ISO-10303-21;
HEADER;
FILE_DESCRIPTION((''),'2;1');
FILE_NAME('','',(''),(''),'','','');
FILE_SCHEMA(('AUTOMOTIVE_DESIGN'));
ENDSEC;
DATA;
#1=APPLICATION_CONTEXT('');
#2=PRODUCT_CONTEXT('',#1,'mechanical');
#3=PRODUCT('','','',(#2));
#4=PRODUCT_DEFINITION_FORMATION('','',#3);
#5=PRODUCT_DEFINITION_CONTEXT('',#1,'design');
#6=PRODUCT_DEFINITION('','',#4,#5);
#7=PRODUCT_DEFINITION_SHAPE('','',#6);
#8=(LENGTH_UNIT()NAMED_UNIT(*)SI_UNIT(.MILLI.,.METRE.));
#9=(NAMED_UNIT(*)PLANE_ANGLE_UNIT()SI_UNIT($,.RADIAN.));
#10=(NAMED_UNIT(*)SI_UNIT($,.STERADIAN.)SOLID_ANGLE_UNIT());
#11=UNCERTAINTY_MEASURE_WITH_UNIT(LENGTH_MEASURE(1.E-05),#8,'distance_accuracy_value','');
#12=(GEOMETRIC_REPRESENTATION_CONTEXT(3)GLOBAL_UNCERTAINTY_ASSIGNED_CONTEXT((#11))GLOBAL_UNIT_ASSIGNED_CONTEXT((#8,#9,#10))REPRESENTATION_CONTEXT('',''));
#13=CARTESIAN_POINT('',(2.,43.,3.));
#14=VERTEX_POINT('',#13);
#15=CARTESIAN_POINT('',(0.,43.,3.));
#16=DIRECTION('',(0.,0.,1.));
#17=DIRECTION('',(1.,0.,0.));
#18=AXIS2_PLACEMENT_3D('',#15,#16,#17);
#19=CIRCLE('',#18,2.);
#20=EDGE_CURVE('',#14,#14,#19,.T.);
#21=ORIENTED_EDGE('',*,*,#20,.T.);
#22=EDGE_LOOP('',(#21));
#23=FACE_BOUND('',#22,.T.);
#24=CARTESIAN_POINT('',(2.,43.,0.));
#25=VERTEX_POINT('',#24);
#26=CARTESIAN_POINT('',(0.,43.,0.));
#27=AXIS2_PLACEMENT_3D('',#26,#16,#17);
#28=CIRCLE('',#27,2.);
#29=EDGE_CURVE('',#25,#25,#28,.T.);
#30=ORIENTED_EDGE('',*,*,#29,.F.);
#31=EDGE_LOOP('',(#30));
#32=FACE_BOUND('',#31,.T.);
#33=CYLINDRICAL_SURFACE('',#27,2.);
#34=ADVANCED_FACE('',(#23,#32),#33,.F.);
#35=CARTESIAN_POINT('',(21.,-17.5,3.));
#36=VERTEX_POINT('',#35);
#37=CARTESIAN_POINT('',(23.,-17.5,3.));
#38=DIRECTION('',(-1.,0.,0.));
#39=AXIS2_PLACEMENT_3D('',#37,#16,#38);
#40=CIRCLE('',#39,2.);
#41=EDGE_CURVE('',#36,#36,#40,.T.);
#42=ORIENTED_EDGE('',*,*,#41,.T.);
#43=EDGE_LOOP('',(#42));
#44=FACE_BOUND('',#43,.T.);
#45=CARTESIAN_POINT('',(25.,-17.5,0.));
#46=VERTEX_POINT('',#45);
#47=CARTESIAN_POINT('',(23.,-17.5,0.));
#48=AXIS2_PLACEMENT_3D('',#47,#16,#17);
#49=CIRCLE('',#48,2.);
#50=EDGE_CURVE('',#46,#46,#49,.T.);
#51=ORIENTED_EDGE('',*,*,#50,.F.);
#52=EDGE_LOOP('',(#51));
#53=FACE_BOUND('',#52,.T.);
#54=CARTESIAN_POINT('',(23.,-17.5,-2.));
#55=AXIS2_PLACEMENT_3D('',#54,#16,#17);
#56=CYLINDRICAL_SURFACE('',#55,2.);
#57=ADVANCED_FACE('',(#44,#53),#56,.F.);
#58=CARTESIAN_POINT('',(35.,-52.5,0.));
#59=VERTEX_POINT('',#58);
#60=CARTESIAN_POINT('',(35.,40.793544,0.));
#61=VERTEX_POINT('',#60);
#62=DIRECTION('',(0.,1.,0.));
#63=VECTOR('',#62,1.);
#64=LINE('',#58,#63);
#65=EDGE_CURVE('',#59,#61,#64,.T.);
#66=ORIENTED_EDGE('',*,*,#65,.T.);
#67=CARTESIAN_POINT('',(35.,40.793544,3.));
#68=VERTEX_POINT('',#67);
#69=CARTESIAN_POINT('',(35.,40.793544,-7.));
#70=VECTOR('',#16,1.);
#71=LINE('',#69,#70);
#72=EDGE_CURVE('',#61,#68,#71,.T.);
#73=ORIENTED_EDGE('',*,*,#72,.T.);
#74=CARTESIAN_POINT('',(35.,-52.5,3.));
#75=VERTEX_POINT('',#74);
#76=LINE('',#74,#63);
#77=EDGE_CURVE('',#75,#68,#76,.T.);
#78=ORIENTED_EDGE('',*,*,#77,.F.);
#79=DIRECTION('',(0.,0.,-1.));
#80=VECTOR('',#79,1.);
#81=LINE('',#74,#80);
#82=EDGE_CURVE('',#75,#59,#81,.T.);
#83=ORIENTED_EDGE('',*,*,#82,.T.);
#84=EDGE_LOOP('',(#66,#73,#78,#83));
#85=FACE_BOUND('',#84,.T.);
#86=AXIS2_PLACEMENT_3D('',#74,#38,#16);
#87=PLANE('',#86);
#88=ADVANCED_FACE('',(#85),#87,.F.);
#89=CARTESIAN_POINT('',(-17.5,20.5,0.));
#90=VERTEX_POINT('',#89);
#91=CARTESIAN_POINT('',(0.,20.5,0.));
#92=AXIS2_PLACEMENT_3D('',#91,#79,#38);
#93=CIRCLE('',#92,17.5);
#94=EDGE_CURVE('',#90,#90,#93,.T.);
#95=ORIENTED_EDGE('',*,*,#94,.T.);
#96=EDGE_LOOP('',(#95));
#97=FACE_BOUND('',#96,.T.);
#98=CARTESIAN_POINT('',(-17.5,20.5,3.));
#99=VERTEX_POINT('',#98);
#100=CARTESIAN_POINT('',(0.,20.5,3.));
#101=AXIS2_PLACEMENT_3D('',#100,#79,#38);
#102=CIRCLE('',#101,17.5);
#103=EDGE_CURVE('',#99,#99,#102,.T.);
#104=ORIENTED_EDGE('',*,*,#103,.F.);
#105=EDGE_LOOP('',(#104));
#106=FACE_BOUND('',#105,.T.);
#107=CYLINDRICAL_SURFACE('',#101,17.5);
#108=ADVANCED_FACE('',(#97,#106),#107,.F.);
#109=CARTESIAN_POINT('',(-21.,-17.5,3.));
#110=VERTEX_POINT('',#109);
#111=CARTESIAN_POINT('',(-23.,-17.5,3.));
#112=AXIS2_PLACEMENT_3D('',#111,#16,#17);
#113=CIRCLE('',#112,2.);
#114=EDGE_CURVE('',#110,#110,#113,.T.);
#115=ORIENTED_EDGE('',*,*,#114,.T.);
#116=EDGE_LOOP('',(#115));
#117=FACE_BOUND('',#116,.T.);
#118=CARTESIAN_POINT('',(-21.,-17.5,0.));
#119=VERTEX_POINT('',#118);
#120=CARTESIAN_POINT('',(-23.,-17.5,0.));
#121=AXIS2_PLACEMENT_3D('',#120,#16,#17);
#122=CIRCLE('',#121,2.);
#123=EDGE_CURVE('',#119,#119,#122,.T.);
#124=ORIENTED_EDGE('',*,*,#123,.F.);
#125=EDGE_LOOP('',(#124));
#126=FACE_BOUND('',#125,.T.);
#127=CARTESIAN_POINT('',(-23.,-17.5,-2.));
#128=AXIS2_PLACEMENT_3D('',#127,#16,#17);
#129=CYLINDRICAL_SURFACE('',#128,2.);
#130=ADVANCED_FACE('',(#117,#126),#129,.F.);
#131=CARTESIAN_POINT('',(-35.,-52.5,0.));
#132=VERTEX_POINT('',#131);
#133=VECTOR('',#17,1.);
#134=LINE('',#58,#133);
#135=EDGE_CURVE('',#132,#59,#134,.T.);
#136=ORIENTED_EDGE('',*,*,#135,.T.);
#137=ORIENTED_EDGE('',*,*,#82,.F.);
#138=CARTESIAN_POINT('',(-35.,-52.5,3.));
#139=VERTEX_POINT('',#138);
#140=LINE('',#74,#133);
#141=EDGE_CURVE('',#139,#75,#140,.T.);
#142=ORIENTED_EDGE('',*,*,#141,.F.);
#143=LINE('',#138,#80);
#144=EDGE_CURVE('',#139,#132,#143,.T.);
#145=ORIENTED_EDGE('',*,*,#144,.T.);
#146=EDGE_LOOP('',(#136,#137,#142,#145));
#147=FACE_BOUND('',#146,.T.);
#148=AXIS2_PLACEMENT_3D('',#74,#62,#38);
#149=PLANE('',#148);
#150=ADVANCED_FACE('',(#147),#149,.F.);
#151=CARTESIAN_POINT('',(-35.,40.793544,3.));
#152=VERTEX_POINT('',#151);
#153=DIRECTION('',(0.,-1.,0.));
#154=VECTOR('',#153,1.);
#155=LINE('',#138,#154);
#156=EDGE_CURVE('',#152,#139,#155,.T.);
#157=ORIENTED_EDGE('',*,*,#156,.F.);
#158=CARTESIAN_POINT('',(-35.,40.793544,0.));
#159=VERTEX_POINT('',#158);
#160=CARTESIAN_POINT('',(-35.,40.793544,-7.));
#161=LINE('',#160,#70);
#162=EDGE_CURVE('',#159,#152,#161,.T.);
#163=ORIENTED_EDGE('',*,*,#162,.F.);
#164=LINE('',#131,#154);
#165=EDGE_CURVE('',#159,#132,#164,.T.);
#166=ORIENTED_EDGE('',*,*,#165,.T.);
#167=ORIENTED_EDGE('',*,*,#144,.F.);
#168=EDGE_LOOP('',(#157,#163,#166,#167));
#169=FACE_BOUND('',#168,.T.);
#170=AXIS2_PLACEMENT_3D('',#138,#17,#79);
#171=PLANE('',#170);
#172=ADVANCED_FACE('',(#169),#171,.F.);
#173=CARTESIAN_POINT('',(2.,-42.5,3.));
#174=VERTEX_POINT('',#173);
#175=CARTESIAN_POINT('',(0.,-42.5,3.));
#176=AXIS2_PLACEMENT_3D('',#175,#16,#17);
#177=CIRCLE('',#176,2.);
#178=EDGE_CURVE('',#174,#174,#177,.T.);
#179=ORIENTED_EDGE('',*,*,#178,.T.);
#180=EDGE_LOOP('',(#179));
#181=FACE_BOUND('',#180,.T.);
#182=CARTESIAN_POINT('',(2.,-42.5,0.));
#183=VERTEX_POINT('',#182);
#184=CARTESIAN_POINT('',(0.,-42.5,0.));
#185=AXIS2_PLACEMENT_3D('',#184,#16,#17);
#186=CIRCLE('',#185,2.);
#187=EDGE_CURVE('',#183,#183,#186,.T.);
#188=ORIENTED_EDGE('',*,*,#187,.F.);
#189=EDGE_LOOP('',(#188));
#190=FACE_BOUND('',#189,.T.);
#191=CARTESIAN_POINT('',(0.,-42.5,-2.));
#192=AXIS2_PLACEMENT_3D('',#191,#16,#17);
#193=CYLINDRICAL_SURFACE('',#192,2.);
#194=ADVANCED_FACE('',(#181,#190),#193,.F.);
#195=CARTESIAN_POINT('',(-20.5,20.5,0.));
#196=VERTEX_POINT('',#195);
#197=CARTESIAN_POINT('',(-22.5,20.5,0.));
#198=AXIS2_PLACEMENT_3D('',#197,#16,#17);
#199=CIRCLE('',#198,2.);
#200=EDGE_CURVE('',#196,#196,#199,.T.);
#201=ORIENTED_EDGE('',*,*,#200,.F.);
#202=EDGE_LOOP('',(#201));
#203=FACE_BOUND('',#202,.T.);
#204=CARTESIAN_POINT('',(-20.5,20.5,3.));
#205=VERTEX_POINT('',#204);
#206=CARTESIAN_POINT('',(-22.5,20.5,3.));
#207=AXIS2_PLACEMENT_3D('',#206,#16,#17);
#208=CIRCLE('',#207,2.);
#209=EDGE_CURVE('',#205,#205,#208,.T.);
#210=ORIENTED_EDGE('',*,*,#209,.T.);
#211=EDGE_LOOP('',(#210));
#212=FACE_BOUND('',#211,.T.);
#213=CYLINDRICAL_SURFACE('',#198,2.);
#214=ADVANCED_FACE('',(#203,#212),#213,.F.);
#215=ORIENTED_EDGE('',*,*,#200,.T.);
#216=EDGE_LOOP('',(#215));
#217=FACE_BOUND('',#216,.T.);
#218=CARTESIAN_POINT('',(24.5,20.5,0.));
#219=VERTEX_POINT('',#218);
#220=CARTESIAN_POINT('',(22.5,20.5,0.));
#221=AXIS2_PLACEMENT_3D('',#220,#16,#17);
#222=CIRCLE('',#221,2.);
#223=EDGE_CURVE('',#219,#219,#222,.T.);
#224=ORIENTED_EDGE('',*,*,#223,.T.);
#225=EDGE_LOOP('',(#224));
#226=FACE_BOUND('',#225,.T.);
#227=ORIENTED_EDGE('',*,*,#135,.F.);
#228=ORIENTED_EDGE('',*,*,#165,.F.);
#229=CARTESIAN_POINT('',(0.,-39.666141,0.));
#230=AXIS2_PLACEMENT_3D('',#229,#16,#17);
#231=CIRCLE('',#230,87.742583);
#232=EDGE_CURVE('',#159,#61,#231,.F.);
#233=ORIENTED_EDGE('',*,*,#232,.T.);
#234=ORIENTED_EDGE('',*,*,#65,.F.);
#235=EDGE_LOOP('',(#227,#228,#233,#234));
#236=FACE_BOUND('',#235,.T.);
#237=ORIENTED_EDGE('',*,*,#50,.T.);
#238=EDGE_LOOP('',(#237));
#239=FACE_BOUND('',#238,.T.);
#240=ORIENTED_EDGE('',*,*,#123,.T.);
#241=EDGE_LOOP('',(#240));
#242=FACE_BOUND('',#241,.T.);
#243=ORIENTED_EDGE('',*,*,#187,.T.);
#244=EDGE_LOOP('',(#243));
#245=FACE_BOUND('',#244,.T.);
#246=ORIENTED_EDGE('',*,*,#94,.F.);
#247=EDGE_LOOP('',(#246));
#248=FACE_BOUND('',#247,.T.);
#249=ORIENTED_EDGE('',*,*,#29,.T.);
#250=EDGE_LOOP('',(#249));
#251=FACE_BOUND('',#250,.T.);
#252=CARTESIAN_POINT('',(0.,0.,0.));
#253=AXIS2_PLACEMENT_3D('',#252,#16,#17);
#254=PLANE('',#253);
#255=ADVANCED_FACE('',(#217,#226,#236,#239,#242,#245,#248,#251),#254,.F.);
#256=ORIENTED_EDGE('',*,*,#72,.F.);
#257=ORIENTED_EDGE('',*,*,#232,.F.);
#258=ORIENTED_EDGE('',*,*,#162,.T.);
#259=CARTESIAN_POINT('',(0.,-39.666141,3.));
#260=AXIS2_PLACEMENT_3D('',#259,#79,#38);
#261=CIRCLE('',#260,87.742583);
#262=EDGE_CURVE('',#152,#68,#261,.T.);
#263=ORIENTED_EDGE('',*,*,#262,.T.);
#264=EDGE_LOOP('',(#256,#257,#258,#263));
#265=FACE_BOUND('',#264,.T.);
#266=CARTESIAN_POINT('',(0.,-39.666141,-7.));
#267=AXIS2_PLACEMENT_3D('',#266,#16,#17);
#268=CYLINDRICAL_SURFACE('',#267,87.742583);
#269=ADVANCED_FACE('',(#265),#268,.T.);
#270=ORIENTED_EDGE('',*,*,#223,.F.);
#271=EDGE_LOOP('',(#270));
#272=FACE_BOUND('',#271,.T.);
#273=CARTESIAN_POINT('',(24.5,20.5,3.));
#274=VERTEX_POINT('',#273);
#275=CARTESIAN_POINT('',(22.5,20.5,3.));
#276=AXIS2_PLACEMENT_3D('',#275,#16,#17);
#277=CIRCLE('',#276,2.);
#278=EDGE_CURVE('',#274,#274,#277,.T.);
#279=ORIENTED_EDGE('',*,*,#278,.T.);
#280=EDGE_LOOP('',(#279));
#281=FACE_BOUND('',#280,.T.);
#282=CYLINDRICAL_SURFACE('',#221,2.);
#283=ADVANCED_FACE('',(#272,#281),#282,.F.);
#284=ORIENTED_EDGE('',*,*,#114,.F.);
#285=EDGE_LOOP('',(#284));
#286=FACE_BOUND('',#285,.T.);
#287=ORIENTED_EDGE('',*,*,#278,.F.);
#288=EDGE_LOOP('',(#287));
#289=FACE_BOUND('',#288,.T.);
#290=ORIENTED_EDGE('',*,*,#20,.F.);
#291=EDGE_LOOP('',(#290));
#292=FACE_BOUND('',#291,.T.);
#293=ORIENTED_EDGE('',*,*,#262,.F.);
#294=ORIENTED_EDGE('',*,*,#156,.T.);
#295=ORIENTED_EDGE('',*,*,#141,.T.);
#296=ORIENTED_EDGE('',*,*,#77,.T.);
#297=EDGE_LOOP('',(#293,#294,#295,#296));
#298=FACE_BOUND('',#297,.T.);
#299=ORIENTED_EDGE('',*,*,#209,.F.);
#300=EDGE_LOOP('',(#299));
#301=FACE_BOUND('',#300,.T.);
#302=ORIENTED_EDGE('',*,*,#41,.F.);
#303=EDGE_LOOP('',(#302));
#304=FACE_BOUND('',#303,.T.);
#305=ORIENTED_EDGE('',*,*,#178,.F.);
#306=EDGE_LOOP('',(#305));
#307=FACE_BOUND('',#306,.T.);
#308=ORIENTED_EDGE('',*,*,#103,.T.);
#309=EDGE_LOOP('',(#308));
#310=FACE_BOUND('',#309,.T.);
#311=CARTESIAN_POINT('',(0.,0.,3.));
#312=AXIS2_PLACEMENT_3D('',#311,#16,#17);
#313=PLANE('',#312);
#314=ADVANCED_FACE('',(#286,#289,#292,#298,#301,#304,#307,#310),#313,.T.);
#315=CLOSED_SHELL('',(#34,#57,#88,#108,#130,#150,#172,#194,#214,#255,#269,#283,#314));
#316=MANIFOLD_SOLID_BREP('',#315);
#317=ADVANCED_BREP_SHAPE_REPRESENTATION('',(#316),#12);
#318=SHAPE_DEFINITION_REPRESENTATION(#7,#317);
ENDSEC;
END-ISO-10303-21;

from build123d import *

# Parameters (mm, degrees)
SKETCH1_W           = 70
SKETCH1_H           = 105
BOSS_EXTRUDE1_DEPTH = 3
SKETCH2_R           = 17.5
CUT_EXTRUDE3_DEPTH  = 3
SKETCH3_R           = 2
CUT_EXTRUDE4_DEPTH  = 3
SKETCH4_R           = 2
CUT_EXTRUDE5_DEPTH  = 5
CUT_EXTRUDE6_DEPTH  = 10


with BuildPart() as part:
    # Sketch1 → Boss-Extrude1 (new body)
    with BuildSketch(Plane.XY):
        Rectangle(SKETCH1_W, SKETCH1_H)
    extrude(amount=BOSS_EXTRUDE1_DEPTH)

    # Sketch2 → Cut-Extrude3 (cut)
    with BuildSketch(Plane(origin=(0, 0, 0), x_dir=(-1, 0, 0), z_dir=(0, 0, -1))):
        with Locations((0, 20.5)):
            Circle(SKETCH2_R)
    extrude(amount=-CUT_EXTRUDE3_DEPTH, mode=Mode.SUBTRACT)

    # Sketch3 → Cut-Extrude4 (cut)
    with BuildSketch(Plane.XY.offset(3)):
        with Locations((-22.5, 20.5)):
            Circle(SKETCH3_R)
        with Locations((0, 43)):
            Circle(SKETCH3_R)
        with Locations((22.5, 20.5)):
            Circle(SKETCH3_R)
    extrude(amount=-CUT_EXTRUDE4_DEPTH, mode=Mode.SUBTRACT)

    # Sketch4 → Cut-Extrude5 (cut)
    with BuildSketch(Plane.XY.offset(3)):
        with Locations((0, -42.5)):
            Circle(SKETCH4_R)
        with Locations((-23, -17.5)):
            Circle(SKETCH4_R)
        with Locations((23, -17.5)):
            Circle(SKETCH4_R)
    extrude(amount=-CUT_EXTRUDE5_DEPTH, mode=Mode.SUBTRACT)

    # Sketch5 → Cut-Extrude6 (cut)
    with BuildSketch(Plane.XY.offset(3)):
        with BuildLine():
            Line((-35, 40.793543502), (-35, 52.5))
            Line((-35, 52.5), (35, 52.5))
            Line((35, 52.5), (35, 40.793543502))
            ThreePointArc((35, 40.793543502), (0, 48.07644174), (-35, 40.793543502))
        make_face()
    extrude(amount=-CUT_EXTRUDE6_DEPTH, mode=Mode.SUBTRACT)


solid = part.part
